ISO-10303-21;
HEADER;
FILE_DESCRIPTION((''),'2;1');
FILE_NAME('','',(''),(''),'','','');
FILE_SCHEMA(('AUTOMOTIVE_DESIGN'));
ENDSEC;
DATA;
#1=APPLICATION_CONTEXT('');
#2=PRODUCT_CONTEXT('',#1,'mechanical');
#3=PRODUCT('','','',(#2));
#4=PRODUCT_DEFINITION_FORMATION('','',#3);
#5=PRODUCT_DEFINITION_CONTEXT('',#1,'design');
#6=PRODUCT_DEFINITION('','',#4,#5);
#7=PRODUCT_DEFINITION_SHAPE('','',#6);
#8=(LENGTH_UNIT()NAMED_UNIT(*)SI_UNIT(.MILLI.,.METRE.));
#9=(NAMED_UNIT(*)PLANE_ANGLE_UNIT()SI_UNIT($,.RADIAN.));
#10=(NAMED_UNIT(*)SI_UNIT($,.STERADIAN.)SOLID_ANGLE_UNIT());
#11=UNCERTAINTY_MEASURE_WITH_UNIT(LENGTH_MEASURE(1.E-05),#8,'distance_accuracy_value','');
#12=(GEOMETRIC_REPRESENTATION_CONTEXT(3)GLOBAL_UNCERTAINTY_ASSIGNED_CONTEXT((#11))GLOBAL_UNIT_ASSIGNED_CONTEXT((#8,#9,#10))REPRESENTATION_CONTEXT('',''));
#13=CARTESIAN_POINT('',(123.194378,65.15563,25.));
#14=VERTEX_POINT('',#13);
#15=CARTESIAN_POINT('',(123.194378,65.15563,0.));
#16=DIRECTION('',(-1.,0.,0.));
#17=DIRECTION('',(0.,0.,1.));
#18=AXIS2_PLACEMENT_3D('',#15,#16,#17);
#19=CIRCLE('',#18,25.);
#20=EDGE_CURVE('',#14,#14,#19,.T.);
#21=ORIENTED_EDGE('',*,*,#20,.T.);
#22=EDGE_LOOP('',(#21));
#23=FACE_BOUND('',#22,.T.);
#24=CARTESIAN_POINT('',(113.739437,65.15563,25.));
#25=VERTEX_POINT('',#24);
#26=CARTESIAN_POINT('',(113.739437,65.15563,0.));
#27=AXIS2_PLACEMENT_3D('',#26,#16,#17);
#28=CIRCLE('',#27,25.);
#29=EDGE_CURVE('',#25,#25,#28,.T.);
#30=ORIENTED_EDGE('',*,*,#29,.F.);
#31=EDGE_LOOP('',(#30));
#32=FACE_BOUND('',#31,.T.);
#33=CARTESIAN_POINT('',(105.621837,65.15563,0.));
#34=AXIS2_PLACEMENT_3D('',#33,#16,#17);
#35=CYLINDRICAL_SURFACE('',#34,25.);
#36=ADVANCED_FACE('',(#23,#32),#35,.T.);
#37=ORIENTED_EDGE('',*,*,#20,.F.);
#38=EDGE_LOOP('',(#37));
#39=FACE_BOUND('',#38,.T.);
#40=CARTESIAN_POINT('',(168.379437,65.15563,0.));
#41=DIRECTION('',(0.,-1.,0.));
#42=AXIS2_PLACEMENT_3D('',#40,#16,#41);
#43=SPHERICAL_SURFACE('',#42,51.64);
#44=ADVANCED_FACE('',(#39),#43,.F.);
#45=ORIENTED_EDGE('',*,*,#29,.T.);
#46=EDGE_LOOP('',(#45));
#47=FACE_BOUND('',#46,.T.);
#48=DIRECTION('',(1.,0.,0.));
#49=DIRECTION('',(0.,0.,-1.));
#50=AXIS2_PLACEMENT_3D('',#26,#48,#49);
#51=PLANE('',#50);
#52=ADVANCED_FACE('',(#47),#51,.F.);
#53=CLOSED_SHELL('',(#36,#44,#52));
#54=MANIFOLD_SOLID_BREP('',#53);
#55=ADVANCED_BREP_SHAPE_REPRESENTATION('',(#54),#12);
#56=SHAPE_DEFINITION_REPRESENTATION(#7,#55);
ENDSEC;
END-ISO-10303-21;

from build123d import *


with BuildPart() as part:
    # 草图1 → 旋转1 (revolve)
    with BuildSketch(Plane.XY, mode=Mode.PRIVATE) as revolve_1_sk:
        with BuildLine():
            Line((113.739437135, 65.155630457), (113.739437135, 90.155630457))
            Line((113.739437135, 90.155630457), (123.194377657, 90.155630457))
            ThreePointArc((123.194377657, 90.155630457), (118.379206778, 78.065570979), (116.739437135, 65.155630457))
            Line((116.739437135, 65.155630457), (113.739437135, 65.155630457))
        make_face()
    revolve(revolve_1_sk.sketch.rotate(Axis((105.621837124, 65.155630457, 0), (1, 0, 0)), 180), axis=Axis((105.621837124, 65.155630457, 0), (1, 0, 0)))  # turned: the seam where the file's is


solid = part.part
